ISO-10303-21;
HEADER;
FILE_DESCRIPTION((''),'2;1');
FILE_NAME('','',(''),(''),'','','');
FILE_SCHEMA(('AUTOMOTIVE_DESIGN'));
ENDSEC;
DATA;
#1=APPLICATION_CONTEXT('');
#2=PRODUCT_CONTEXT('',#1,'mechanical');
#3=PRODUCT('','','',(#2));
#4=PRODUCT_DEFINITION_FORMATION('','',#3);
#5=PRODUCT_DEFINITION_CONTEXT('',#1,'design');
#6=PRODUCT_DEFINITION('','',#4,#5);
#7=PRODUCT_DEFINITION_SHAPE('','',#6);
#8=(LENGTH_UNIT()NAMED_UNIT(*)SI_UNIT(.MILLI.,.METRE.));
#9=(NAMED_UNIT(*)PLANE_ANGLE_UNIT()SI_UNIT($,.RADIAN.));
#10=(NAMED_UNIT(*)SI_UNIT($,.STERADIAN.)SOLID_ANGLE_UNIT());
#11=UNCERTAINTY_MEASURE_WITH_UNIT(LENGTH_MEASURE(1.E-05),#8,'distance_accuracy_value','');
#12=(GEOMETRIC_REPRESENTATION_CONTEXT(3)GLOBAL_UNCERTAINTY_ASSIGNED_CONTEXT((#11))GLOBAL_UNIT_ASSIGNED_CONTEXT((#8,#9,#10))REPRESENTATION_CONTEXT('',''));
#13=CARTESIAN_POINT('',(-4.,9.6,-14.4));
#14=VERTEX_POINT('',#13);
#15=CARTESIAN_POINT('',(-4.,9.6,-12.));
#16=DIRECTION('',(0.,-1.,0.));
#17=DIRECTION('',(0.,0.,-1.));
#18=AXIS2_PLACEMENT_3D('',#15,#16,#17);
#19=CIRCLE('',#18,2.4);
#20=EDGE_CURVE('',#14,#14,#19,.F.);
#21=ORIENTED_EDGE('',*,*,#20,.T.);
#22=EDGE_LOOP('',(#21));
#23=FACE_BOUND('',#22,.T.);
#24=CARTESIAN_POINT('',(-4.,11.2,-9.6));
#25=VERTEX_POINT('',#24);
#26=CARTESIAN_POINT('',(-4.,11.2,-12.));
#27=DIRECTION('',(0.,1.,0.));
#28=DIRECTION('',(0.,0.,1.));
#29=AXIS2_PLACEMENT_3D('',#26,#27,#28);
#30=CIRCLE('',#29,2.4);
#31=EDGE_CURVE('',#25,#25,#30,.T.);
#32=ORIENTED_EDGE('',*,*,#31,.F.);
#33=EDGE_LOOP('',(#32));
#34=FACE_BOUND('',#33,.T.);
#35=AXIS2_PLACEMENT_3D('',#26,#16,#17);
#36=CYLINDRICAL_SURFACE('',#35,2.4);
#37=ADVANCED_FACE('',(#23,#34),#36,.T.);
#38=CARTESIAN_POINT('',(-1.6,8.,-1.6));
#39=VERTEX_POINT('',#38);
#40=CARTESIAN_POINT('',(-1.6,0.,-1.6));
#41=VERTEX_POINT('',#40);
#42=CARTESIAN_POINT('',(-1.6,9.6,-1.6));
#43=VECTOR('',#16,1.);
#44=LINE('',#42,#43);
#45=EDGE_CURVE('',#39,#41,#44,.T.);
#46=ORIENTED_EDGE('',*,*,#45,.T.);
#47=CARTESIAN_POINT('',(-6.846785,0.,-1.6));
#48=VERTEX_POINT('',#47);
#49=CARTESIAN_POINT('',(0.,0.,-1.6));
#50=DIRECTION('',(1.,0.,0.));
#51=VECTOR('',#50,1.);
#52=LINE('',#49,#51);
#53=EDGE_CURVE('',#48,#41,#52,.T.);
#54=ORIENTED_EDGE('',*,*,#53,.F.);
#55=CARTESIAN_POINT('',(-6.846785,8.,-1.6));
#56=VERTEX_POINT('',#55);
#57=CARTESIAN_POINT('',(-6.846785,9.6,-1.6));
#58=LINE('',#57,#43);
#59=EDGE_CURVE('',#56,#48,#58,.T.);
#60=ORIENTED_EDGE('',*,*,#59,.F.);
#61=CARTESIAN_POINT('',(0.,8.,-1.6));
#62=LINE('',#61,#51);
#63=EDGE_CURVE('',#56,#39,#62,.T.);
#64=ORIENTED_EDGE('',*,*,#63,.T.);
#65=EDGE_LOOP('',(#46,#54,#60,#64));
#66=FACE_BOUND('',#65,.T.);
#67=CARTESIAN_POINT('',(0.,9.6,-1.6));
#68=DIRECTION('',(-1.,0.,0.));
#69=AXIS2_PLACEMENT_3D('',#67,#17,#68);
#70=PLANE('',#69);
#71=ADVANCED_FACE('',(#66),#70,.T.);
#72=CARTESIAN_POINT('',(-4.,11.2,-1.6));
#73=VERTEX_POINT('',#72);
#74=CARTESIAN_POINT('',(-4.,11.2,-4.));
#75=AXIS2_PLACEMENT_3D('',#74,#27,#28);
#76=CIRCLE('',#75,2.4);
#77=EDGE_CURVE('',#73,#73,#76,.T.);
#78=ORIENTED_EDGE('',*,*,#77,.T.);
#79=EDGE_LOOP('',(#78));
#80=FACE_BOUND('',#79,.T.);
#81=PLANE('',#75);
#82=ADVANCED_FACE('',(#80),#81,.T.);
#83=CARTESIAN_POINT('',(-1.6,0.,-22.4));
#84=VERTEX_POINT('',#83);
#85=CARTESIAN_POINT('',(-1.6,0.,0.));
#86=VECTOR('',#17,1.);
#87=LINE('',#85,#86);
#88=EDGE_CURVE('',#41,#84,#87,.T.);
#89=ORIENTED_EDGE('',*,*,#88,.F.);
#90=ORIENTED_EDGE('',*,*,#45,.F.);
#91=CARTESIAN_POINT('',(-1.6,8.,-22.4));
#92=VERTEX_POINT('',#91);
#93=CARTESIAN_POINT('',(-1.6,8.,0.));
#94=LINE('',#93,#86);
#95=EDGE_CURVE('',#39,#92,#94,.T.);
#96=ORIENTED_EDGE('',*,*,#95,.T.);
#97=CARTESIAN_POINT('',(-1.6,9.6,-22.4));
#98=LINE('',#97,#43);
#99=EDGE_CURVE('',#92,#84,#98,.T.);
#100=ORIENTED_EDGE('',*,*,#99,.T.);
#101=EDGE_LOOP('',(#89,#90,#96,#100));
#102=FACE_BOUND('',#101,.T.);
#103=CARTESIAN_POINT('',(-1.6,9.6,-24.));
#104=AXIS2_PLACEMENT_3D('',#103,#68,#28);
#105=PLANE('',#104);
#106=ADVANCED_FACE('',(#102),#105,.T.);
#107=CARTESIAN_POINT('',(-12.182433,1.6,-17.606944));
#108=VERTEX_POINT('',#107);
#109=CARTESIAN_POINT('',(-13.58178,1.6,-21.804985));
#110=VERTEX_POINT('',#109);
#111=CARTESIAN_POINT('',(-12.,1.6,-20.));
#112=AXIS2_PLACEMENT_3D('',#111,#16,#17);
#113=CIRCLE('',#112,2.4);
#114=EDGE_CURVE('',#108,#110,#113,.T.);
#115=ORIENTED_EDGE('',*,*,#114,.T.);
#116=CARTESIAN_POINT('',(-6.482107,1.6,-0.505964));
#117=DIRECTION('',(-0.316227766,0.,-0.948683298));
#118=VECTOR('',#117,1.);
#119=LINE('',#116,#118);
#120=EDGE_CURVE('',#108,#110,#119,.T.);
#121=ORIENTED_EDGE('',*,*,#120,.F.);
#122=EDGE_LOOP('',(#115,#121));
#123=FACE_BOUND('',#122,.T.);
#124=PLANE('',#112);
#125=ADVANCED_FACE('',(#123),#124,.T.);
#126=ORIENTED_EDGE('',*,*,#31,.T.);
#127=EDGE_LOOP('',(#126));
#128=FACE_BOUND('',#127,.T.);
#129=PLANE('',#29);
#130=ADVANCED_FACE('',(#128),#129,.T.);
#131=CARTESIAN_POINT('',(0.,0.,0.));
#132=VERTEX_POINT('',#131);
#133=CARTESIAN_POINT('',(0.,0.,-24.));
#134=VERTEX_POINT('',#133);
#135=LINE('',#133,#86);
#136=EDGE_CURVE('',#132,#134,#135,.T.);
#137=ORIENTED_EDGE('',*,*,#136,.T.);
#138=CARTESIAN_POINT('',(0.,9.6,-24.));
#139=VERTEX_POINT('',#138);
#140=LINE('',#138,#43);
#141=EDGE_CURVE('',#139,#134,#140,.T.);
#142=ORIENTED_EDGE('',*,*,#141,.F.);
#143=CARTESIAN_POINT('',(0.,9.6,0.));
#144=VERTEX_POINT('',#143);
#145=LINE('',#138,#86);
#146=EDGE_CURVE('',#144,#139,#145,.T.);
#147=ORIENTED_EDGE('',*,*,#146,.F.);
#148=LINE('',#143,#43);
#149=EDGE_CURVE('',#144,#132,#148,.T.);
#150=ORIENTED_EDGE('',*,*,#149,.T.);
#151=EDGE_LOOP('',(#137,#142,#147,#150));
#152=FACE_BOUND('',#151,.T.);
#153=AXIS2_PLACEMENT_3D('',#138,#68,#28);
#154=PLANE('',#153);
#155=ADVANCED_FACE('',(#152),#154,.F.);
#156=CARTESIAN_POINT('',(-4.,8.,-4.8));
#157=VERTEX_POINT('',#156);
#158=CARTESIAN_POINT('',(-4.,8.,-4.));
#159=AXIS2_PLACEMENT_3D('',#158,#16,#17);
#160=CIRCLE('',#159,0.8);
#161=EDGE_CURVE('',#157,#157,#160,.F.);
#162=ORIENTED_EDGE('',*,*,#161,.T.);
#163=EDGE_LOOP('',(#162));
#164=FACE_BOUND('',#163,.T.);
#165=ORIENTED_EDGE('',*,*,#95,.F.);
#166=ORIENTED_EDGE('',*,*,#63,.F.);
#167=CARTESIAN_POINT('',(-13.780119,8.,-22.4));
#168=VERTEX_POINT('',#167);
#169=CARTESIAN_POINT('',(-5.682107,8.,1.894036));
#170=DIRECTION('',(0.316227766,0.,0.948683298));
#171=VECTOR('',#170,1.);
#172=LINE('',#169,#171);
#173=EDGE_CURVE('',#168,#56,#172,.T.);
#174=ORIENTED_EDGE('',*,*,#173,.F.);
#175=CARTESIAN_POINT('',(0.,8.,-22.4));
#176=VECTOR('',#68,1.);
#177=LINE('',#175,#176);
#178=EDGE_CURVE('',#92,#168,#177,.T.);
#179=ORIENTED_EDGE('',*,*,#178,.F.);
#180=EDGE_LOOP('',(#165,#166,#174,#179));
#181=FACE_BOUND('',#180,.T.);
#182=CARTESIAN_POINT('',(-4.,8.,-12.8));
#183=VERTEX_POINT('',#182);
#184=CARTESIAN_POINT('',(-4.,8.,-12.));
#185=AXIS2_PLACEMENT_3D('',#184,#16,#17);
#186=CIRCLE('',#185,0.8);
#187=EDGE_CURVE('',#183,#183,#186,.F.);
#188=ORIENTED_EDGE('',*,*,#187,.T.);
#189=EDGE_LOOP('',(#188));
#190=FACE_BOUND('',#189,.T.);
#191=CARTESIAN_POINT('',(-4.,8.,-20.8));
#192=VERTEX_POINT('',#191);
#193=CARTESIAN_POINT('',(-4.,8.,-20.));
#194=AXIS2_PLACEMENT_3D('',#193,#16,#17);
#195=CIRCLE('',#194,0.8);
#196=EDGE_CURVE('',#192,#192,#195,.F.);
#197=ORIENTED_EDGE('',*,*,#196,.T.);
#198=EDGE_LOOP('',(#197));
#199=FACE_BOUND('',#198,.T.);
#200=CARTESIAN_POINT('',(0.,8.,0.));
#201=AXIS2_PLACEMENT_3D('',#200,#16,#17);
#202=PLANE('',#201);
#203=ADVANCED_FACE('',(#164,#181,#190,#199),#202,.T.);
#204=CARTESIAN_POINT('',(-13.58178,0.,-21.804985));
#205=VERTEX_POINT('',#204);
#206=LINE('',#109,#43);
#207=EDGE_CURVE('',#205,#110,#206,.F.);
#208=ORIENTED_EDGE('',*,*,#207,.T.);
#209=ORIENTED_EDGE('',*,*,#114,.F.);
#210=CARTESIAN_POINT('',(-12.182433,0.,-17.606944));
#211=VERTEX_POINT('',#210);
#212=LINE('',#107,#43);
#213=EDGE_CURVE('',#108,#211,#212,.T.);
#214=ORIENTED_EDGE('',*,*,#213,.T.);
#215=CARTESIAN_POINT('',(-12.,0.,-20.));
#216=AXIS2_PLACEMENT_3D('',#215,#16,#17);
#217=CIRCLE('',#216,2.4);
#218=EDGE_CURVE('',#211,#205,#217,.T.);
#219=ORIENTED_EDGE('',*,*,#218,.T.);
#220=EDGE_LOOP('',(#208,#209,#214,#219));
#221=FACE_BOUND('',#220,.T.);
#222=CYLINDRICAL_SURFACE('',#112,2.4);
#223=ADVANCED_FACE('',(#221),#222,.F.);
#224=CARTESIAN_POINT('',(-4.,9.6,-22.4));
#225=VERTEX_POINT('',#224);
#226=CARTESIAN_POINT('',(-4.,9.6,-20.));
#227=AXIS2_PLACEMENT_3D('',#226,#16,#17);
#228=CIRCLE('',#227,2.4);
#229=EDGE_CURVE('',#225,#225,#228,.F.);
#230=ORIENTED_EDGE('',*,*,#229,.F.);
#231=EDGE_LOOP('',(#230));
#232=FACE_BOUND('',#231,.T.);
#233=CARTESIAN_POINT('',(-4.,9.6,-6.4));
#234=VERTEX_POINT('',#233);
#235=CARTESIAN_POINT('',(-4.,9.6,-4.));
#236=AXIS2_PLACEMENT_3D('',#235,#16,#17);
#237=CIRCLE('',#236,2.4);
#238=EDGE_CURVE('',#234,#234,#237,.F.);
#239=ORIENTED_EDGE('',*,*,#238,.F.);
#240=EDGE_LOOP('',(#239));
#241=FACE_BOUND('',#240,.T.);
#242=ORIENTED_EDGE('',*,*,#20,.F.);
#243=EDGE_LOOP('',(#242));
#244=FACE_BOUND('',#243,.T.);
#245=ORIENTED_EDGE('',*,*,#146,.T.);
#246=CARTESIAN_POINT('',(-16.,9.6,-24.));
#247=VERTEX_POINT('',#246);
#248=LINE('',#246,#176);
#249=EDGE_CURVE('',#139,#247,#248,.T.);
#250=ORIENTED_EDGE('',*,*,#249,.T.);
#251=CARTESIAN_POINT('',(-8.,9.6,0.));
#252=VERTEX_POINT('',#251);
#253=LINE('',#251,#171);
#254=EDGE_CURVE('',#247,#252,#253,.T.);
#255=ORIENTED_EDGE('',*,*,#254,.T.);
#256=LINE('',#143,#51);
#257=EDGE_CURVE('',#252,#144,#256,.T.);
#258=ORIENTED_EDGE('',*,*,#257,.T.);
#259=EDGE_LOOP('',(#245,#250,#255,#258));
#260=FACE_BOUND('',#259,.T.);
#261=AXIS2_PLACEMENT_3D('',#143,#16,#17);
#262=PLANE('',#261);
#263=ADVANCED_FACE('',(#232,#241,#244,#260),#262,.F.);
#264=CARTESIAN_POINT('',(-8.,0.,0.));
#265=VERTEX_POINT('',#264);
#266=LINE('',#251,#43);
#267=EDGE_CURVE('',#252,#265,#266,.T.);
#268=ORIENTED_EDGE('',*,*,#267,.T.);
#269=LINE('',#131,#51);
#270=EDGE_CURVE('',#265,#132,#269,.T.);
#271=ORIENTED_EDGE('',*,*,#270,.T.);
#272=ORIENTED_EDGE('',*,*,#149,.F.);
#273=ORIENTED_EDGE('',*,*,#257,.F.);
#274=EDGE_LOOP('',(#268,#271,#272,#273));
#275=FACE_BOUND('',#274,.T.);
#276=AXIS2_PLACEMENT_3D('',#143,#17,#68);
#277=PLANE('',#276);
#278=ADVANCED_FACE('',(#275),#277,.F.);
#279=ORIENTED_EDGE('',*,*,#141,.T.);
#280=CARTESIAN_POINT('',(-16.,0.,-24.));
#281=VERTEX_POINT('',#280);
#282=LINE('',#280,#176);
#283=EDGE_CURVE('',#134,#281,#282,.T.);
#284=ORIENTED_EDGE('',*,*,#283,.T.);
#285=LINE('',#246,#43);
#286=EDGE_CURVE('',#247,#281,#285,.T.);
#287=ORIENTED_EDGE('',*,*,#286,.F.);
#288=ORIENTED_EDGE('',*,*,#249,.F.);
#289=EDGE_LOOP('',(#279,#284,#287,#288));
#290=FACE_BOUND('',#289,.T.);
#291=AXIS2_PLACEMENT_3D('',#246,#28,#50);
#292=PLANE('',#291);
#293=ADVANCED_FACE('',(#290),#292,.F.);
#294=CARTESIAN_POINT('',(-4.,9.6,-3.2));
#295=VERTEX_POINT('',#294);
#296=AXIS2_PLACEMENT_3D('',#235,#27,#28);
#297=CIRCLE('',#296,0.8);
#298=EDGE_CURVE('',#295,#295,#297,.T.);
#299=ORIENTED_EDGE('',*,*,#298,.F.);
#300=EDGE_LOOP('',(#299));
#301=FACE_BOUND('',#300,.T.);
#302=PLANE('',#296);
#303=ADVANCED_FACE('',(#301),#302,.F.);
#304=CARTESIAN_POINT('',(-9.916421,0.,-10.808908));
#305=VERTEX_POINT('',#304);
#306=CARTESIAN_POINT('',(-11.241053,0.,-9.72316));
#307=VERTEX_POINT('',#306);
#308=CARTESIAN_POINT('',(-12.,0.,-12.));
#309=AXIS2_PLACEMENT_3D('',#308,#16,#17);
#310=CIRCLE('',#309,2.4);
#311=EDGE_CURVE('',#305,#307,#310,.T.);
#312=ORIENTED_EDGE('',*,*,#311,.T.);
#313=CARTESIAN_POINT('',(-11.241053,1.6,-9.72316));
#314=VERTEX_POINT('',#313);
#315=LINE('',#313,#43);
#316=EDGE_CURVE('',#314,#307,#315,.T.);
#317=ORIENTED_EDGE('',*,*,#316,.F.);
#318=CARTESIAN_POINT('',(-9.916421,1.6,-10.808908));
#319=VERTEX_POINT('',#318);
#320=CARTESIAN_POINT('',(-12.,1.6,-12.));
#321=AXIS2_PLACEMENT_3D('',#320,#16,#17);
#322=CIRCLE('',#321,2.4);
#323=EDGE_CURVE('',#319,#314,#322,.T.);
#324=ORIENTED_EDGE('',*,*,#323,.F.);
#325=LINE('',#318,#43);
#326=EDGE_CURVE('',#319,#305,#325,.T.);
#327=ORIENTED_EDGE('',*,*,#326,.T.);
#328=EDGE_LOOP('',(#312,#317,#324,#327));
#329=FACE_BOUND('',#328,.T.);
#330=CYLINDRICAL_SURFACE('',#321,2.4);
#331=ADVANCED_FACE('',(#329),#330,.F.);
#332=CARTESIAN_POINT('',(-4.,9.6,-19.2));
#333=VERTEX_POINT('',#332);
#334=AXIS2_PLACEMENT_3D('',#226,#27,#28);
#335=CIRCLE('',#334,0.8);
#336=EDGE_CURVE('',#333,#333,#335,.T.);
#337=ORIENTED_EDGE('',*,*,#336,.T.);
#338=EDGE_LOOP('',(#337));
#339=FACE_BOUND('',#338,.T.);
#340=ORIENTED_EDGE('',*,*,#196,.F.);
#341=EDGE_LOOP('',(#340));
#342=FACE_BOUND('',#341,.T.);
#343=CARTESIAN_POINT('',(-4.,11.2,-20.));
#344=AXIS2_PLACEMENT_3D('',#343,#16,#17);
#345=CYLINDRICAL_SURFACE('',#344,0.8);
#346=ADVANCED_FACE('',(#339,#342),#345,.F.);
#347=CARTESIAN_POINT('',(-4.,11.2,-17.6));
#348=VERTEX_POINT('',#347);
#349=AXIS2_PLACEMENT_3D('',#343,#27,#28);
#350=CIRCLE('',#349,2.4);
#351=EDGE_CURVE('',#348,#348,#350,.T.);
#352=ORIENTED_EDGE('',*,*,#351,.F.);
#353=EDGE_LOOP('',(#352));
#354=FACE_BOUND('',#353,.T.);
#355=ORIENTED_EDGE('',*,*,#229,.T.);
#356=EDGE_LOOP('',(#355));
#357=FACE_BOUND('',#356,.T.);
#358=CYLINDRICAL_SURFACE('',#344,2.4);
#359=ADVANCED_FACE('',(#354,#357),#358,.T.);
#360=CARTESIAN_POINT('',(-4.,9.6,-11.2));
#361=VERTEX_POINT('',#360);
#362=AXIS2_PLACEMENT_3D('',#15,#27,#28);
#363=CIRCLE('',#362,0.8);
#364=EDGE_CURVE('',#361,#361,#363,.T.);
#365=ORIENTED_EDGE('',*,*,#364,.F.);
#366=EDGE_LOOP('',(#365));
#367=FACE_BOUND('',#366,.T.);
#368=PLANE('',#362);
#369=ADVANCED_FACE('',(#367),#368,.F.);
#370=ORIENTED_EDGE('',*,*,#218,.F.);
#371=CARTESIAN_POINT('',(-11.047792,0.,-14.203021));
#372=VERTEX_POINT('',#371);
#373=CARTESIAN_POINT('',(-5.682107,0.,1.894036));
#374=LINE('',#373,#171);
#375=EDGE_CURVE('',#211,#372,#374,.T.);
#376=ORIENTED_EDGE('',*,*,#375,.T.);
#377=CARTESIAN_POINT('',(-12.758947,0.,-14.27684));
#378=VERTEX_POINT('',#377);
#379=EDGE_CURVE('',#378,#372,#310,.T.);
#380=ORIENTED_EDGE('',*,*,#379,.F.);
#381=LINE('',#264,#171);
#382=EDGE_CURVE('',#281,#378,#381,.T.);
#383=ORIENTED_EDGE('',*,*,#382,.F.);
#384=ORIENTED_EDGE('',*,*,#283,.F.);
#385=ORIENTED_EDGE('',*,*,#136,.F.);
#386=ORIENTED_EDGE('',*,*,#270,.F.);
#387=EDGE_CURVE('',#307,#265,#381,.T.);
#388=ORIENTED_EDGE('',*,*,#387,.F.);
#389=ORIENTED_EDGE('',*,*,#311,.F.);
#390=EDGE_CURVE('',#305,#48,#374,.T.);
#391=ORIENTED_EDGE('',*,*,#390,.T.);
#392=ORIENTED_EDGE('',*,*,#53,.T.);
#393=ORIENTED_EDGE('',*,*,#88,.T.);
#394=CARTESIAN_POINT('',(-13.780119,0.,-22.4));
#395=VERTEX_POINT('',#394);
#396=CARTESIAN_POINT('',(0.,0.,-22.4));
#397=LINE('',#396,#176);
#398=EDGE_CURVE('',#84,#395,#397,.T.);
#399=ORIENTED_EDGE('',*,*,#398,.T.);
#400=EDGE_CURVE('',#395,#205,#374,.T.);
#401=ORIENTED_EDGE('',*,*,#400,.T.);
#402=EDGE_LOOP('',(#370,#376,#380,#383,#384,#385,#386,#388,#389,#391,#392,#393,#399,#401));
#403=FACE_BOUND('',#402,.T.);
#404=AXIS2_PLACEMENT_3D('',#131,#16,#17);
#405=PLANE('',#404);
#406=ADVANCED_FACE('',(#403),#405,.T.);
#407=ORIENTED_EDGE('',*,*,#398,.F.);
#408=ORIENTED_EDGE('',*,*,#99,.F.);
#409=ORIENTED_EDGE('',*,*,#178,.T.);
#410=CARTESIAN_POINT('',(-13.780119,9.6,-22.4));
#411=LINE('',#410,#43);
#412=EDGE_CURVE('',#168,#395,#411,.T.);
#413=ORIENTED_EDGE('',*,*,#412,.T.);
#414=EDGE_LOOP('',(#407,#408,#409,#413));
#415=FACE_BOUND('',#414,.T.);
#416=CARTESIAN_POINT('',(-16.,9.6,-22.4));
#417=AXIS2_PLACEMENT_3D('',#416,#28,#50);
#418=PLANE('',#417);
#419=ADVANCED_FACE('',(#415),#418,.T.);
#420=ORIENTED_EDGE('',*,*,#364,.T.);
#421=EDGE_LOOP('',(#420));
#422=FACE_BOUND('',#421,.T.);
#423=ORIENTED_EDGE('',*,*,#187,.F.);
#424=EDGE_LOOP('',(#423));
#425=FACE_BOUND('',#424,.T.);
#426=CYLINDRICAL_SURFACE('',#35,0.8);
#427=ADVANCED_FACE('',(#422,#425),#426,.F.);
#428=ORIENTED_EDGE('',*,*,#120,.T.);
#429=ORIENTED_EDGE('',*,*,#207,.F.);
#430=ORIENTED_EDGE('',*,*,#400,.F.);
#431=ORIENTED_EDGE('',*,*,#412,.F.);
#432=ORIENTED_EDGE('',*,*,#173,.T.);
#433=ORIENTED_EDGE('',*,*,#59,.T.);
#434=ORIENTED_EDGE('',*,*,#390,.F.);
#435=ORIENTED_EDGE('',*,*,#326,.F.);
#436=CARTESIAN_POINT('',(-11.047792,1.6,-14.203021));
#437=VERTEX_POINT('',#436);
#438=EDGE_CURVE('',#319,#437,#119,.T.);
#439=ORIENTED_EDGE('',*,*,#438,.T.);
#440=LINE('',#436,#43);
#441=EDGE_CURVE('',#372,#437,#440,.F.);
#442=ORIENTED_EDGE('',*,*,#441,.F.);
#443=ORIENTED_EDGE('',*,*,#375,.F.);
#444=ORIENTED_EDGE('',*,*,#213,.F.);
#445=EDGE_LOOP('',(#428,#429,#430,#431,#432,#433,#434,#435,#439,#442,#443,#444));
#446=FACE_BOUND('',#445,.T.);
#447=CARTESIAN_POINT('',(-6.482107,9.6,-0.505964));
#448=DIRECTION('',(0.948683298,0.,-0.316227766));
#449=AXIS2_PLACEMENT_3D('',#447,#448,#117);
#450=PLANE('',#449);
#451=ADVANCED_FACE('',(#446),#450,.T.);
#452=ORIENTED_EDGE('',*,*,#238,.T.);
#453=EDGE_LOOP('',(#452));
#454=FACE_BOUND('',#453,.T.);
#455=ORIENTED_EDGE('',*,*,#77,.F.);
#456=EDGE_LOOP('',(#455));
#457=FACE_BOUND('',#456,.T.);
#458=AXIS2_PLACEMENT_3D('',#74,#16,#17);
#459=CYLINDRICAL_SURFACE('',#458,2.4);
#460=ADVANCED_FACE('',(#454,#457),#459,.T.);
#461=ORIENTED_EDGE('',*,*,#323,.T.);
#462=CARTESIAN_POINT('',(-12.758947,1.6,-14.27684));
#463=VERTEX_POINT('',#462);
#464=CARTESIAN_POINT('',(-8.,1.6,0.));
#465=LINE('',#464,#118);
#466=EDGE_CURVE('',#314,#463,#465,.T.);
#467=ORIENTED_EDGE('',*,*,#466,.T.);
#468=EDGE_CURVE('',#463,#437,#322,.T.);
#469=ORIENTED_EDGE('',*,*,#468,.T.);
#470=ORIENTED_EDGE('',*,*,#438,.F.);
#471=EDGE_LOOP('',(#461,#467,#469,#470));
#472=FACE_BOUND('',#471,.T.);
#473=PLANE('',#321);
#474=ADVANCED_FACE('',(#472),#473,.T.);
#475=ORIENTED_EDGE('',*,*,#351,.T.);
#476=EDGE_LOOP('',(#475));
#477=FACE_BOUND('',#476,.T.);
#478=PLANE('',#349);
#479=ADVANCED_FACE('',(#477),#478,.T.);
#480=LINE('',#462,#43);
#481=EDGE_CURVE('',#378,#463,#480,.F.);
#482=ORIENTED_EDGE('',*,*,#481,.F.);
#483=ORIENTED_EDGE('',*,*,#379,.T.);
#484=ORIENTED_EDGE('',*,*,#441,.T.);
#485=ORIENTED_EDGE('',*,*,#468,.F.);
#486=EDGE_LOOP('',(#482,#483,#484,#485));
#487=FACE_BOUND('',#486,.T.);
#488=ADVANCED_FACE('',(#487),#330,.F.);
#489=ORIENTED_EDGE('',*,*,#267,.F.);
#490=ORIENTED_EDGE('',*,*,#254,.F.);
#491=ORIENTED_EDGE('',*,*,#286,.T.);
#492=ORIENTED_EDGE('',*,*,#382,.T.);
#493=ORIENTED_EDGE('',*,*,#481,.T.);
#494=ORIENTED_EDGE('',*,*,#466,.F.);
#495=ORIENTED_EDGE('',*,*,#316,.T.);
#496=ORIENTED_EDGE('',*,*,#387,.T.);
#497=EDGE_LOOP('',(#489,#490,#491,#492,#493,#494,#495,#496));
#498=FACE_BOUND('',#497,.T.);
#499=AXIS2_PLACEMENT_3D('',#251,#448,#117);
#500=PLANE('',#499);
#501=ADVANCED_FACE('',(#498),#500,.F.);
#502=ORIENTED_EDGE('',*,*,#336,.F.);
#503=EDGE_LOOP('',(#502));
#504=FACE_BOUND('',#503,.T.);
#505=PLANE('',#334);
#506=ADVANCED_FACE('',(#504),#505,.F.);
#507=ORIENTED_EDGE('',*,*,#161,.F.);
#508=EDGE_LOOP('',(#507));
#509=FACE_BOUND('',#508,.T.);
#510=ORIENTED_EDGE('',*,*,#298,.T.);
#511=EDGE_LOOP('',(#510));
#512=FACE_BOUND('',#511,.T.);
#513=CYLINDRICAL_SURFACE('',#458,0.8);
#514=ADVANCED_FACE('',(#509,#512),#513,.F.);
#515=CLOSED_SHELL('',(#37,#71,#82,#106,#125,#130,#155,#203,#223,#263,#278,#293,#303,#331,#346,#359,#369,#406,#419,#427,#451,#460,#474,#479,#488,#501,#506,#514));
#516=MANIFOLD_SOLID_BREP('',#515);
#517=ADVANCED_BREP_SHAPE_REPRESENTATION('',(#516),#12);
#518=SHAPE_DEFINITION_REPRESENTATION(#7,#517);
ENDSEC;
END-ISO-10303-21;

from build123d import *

# Parameters (mm, degrees)
BOSS_EXTRUDE1_DEPTH = 9.6
SKETCH2_R           = 2.4
BOSS_EXTRUDE2_DEPTH = 1.6
LPATTERN1_COUNT     = 3
LPATTERN1_PITCH     = 8
SHELL1_T            = -1.6
SKETCH3_R           = 2.4
CUT_EXTRUDE1_DEPTH  = 1.6


with BuildPart() as part:
    # Sketch1 → Boss-Extrude1 (new body)
    with BuildSketch(Plane(origin=(0, 0, 0), x_dir=(1, 0, 0), z_dir=(0, 1, 0))):
        Polygon((0, 0), (-8, 0), (-16, 24), (0, 24), align=None)
    extrude(amount=BOSS_EXTRUDE1_DEPTH)

    # Sketch2 → Boss-Extrude2 (add)
    with BuildSketch(Plane(origin=(0, 9.6, 0), x_dir=(1, 0, 0), z_dir=(0, 1, 0))):
        with Locations(Location((-4, 4, 0), (0, 0, 90))):
            Circle(SKETCH2_R)
    boss_extrude2 = extrude(amount=BOSS_EXTRUDE2_DEPTH)

    # LPattern1: Boss-Extrude2 ×3
    with Locations(*[(0, 0, -i * LPATTERN1_PITCH) for i in range(1, LPATTERN1_COUNT)]):
        add(boss_extrude2)

    # Shell1
    shell1_openings = [part.faces().sort_by_distance(p)[0] for p in [
        (-6.222222222, 0, -13.333333333),
    ]]
    offset(amount=SHELL1_T, openings=shell1_openings, kind=Kind.INTERSECTION)

    # Sketch3 → Cut-Extrude1 (cut)
    with BuildSketch(Plane.XZ):
        with Locations((-12, -12)):
            Circle(SKETCH3_R)
        with Locations((-12, -20)):
            Circle(SKETCH3_R)
    extrude(amount=-CUT_EXTRUDE1_DEPTH, mode=Mode.SUBTRACT)


solid = part.part
